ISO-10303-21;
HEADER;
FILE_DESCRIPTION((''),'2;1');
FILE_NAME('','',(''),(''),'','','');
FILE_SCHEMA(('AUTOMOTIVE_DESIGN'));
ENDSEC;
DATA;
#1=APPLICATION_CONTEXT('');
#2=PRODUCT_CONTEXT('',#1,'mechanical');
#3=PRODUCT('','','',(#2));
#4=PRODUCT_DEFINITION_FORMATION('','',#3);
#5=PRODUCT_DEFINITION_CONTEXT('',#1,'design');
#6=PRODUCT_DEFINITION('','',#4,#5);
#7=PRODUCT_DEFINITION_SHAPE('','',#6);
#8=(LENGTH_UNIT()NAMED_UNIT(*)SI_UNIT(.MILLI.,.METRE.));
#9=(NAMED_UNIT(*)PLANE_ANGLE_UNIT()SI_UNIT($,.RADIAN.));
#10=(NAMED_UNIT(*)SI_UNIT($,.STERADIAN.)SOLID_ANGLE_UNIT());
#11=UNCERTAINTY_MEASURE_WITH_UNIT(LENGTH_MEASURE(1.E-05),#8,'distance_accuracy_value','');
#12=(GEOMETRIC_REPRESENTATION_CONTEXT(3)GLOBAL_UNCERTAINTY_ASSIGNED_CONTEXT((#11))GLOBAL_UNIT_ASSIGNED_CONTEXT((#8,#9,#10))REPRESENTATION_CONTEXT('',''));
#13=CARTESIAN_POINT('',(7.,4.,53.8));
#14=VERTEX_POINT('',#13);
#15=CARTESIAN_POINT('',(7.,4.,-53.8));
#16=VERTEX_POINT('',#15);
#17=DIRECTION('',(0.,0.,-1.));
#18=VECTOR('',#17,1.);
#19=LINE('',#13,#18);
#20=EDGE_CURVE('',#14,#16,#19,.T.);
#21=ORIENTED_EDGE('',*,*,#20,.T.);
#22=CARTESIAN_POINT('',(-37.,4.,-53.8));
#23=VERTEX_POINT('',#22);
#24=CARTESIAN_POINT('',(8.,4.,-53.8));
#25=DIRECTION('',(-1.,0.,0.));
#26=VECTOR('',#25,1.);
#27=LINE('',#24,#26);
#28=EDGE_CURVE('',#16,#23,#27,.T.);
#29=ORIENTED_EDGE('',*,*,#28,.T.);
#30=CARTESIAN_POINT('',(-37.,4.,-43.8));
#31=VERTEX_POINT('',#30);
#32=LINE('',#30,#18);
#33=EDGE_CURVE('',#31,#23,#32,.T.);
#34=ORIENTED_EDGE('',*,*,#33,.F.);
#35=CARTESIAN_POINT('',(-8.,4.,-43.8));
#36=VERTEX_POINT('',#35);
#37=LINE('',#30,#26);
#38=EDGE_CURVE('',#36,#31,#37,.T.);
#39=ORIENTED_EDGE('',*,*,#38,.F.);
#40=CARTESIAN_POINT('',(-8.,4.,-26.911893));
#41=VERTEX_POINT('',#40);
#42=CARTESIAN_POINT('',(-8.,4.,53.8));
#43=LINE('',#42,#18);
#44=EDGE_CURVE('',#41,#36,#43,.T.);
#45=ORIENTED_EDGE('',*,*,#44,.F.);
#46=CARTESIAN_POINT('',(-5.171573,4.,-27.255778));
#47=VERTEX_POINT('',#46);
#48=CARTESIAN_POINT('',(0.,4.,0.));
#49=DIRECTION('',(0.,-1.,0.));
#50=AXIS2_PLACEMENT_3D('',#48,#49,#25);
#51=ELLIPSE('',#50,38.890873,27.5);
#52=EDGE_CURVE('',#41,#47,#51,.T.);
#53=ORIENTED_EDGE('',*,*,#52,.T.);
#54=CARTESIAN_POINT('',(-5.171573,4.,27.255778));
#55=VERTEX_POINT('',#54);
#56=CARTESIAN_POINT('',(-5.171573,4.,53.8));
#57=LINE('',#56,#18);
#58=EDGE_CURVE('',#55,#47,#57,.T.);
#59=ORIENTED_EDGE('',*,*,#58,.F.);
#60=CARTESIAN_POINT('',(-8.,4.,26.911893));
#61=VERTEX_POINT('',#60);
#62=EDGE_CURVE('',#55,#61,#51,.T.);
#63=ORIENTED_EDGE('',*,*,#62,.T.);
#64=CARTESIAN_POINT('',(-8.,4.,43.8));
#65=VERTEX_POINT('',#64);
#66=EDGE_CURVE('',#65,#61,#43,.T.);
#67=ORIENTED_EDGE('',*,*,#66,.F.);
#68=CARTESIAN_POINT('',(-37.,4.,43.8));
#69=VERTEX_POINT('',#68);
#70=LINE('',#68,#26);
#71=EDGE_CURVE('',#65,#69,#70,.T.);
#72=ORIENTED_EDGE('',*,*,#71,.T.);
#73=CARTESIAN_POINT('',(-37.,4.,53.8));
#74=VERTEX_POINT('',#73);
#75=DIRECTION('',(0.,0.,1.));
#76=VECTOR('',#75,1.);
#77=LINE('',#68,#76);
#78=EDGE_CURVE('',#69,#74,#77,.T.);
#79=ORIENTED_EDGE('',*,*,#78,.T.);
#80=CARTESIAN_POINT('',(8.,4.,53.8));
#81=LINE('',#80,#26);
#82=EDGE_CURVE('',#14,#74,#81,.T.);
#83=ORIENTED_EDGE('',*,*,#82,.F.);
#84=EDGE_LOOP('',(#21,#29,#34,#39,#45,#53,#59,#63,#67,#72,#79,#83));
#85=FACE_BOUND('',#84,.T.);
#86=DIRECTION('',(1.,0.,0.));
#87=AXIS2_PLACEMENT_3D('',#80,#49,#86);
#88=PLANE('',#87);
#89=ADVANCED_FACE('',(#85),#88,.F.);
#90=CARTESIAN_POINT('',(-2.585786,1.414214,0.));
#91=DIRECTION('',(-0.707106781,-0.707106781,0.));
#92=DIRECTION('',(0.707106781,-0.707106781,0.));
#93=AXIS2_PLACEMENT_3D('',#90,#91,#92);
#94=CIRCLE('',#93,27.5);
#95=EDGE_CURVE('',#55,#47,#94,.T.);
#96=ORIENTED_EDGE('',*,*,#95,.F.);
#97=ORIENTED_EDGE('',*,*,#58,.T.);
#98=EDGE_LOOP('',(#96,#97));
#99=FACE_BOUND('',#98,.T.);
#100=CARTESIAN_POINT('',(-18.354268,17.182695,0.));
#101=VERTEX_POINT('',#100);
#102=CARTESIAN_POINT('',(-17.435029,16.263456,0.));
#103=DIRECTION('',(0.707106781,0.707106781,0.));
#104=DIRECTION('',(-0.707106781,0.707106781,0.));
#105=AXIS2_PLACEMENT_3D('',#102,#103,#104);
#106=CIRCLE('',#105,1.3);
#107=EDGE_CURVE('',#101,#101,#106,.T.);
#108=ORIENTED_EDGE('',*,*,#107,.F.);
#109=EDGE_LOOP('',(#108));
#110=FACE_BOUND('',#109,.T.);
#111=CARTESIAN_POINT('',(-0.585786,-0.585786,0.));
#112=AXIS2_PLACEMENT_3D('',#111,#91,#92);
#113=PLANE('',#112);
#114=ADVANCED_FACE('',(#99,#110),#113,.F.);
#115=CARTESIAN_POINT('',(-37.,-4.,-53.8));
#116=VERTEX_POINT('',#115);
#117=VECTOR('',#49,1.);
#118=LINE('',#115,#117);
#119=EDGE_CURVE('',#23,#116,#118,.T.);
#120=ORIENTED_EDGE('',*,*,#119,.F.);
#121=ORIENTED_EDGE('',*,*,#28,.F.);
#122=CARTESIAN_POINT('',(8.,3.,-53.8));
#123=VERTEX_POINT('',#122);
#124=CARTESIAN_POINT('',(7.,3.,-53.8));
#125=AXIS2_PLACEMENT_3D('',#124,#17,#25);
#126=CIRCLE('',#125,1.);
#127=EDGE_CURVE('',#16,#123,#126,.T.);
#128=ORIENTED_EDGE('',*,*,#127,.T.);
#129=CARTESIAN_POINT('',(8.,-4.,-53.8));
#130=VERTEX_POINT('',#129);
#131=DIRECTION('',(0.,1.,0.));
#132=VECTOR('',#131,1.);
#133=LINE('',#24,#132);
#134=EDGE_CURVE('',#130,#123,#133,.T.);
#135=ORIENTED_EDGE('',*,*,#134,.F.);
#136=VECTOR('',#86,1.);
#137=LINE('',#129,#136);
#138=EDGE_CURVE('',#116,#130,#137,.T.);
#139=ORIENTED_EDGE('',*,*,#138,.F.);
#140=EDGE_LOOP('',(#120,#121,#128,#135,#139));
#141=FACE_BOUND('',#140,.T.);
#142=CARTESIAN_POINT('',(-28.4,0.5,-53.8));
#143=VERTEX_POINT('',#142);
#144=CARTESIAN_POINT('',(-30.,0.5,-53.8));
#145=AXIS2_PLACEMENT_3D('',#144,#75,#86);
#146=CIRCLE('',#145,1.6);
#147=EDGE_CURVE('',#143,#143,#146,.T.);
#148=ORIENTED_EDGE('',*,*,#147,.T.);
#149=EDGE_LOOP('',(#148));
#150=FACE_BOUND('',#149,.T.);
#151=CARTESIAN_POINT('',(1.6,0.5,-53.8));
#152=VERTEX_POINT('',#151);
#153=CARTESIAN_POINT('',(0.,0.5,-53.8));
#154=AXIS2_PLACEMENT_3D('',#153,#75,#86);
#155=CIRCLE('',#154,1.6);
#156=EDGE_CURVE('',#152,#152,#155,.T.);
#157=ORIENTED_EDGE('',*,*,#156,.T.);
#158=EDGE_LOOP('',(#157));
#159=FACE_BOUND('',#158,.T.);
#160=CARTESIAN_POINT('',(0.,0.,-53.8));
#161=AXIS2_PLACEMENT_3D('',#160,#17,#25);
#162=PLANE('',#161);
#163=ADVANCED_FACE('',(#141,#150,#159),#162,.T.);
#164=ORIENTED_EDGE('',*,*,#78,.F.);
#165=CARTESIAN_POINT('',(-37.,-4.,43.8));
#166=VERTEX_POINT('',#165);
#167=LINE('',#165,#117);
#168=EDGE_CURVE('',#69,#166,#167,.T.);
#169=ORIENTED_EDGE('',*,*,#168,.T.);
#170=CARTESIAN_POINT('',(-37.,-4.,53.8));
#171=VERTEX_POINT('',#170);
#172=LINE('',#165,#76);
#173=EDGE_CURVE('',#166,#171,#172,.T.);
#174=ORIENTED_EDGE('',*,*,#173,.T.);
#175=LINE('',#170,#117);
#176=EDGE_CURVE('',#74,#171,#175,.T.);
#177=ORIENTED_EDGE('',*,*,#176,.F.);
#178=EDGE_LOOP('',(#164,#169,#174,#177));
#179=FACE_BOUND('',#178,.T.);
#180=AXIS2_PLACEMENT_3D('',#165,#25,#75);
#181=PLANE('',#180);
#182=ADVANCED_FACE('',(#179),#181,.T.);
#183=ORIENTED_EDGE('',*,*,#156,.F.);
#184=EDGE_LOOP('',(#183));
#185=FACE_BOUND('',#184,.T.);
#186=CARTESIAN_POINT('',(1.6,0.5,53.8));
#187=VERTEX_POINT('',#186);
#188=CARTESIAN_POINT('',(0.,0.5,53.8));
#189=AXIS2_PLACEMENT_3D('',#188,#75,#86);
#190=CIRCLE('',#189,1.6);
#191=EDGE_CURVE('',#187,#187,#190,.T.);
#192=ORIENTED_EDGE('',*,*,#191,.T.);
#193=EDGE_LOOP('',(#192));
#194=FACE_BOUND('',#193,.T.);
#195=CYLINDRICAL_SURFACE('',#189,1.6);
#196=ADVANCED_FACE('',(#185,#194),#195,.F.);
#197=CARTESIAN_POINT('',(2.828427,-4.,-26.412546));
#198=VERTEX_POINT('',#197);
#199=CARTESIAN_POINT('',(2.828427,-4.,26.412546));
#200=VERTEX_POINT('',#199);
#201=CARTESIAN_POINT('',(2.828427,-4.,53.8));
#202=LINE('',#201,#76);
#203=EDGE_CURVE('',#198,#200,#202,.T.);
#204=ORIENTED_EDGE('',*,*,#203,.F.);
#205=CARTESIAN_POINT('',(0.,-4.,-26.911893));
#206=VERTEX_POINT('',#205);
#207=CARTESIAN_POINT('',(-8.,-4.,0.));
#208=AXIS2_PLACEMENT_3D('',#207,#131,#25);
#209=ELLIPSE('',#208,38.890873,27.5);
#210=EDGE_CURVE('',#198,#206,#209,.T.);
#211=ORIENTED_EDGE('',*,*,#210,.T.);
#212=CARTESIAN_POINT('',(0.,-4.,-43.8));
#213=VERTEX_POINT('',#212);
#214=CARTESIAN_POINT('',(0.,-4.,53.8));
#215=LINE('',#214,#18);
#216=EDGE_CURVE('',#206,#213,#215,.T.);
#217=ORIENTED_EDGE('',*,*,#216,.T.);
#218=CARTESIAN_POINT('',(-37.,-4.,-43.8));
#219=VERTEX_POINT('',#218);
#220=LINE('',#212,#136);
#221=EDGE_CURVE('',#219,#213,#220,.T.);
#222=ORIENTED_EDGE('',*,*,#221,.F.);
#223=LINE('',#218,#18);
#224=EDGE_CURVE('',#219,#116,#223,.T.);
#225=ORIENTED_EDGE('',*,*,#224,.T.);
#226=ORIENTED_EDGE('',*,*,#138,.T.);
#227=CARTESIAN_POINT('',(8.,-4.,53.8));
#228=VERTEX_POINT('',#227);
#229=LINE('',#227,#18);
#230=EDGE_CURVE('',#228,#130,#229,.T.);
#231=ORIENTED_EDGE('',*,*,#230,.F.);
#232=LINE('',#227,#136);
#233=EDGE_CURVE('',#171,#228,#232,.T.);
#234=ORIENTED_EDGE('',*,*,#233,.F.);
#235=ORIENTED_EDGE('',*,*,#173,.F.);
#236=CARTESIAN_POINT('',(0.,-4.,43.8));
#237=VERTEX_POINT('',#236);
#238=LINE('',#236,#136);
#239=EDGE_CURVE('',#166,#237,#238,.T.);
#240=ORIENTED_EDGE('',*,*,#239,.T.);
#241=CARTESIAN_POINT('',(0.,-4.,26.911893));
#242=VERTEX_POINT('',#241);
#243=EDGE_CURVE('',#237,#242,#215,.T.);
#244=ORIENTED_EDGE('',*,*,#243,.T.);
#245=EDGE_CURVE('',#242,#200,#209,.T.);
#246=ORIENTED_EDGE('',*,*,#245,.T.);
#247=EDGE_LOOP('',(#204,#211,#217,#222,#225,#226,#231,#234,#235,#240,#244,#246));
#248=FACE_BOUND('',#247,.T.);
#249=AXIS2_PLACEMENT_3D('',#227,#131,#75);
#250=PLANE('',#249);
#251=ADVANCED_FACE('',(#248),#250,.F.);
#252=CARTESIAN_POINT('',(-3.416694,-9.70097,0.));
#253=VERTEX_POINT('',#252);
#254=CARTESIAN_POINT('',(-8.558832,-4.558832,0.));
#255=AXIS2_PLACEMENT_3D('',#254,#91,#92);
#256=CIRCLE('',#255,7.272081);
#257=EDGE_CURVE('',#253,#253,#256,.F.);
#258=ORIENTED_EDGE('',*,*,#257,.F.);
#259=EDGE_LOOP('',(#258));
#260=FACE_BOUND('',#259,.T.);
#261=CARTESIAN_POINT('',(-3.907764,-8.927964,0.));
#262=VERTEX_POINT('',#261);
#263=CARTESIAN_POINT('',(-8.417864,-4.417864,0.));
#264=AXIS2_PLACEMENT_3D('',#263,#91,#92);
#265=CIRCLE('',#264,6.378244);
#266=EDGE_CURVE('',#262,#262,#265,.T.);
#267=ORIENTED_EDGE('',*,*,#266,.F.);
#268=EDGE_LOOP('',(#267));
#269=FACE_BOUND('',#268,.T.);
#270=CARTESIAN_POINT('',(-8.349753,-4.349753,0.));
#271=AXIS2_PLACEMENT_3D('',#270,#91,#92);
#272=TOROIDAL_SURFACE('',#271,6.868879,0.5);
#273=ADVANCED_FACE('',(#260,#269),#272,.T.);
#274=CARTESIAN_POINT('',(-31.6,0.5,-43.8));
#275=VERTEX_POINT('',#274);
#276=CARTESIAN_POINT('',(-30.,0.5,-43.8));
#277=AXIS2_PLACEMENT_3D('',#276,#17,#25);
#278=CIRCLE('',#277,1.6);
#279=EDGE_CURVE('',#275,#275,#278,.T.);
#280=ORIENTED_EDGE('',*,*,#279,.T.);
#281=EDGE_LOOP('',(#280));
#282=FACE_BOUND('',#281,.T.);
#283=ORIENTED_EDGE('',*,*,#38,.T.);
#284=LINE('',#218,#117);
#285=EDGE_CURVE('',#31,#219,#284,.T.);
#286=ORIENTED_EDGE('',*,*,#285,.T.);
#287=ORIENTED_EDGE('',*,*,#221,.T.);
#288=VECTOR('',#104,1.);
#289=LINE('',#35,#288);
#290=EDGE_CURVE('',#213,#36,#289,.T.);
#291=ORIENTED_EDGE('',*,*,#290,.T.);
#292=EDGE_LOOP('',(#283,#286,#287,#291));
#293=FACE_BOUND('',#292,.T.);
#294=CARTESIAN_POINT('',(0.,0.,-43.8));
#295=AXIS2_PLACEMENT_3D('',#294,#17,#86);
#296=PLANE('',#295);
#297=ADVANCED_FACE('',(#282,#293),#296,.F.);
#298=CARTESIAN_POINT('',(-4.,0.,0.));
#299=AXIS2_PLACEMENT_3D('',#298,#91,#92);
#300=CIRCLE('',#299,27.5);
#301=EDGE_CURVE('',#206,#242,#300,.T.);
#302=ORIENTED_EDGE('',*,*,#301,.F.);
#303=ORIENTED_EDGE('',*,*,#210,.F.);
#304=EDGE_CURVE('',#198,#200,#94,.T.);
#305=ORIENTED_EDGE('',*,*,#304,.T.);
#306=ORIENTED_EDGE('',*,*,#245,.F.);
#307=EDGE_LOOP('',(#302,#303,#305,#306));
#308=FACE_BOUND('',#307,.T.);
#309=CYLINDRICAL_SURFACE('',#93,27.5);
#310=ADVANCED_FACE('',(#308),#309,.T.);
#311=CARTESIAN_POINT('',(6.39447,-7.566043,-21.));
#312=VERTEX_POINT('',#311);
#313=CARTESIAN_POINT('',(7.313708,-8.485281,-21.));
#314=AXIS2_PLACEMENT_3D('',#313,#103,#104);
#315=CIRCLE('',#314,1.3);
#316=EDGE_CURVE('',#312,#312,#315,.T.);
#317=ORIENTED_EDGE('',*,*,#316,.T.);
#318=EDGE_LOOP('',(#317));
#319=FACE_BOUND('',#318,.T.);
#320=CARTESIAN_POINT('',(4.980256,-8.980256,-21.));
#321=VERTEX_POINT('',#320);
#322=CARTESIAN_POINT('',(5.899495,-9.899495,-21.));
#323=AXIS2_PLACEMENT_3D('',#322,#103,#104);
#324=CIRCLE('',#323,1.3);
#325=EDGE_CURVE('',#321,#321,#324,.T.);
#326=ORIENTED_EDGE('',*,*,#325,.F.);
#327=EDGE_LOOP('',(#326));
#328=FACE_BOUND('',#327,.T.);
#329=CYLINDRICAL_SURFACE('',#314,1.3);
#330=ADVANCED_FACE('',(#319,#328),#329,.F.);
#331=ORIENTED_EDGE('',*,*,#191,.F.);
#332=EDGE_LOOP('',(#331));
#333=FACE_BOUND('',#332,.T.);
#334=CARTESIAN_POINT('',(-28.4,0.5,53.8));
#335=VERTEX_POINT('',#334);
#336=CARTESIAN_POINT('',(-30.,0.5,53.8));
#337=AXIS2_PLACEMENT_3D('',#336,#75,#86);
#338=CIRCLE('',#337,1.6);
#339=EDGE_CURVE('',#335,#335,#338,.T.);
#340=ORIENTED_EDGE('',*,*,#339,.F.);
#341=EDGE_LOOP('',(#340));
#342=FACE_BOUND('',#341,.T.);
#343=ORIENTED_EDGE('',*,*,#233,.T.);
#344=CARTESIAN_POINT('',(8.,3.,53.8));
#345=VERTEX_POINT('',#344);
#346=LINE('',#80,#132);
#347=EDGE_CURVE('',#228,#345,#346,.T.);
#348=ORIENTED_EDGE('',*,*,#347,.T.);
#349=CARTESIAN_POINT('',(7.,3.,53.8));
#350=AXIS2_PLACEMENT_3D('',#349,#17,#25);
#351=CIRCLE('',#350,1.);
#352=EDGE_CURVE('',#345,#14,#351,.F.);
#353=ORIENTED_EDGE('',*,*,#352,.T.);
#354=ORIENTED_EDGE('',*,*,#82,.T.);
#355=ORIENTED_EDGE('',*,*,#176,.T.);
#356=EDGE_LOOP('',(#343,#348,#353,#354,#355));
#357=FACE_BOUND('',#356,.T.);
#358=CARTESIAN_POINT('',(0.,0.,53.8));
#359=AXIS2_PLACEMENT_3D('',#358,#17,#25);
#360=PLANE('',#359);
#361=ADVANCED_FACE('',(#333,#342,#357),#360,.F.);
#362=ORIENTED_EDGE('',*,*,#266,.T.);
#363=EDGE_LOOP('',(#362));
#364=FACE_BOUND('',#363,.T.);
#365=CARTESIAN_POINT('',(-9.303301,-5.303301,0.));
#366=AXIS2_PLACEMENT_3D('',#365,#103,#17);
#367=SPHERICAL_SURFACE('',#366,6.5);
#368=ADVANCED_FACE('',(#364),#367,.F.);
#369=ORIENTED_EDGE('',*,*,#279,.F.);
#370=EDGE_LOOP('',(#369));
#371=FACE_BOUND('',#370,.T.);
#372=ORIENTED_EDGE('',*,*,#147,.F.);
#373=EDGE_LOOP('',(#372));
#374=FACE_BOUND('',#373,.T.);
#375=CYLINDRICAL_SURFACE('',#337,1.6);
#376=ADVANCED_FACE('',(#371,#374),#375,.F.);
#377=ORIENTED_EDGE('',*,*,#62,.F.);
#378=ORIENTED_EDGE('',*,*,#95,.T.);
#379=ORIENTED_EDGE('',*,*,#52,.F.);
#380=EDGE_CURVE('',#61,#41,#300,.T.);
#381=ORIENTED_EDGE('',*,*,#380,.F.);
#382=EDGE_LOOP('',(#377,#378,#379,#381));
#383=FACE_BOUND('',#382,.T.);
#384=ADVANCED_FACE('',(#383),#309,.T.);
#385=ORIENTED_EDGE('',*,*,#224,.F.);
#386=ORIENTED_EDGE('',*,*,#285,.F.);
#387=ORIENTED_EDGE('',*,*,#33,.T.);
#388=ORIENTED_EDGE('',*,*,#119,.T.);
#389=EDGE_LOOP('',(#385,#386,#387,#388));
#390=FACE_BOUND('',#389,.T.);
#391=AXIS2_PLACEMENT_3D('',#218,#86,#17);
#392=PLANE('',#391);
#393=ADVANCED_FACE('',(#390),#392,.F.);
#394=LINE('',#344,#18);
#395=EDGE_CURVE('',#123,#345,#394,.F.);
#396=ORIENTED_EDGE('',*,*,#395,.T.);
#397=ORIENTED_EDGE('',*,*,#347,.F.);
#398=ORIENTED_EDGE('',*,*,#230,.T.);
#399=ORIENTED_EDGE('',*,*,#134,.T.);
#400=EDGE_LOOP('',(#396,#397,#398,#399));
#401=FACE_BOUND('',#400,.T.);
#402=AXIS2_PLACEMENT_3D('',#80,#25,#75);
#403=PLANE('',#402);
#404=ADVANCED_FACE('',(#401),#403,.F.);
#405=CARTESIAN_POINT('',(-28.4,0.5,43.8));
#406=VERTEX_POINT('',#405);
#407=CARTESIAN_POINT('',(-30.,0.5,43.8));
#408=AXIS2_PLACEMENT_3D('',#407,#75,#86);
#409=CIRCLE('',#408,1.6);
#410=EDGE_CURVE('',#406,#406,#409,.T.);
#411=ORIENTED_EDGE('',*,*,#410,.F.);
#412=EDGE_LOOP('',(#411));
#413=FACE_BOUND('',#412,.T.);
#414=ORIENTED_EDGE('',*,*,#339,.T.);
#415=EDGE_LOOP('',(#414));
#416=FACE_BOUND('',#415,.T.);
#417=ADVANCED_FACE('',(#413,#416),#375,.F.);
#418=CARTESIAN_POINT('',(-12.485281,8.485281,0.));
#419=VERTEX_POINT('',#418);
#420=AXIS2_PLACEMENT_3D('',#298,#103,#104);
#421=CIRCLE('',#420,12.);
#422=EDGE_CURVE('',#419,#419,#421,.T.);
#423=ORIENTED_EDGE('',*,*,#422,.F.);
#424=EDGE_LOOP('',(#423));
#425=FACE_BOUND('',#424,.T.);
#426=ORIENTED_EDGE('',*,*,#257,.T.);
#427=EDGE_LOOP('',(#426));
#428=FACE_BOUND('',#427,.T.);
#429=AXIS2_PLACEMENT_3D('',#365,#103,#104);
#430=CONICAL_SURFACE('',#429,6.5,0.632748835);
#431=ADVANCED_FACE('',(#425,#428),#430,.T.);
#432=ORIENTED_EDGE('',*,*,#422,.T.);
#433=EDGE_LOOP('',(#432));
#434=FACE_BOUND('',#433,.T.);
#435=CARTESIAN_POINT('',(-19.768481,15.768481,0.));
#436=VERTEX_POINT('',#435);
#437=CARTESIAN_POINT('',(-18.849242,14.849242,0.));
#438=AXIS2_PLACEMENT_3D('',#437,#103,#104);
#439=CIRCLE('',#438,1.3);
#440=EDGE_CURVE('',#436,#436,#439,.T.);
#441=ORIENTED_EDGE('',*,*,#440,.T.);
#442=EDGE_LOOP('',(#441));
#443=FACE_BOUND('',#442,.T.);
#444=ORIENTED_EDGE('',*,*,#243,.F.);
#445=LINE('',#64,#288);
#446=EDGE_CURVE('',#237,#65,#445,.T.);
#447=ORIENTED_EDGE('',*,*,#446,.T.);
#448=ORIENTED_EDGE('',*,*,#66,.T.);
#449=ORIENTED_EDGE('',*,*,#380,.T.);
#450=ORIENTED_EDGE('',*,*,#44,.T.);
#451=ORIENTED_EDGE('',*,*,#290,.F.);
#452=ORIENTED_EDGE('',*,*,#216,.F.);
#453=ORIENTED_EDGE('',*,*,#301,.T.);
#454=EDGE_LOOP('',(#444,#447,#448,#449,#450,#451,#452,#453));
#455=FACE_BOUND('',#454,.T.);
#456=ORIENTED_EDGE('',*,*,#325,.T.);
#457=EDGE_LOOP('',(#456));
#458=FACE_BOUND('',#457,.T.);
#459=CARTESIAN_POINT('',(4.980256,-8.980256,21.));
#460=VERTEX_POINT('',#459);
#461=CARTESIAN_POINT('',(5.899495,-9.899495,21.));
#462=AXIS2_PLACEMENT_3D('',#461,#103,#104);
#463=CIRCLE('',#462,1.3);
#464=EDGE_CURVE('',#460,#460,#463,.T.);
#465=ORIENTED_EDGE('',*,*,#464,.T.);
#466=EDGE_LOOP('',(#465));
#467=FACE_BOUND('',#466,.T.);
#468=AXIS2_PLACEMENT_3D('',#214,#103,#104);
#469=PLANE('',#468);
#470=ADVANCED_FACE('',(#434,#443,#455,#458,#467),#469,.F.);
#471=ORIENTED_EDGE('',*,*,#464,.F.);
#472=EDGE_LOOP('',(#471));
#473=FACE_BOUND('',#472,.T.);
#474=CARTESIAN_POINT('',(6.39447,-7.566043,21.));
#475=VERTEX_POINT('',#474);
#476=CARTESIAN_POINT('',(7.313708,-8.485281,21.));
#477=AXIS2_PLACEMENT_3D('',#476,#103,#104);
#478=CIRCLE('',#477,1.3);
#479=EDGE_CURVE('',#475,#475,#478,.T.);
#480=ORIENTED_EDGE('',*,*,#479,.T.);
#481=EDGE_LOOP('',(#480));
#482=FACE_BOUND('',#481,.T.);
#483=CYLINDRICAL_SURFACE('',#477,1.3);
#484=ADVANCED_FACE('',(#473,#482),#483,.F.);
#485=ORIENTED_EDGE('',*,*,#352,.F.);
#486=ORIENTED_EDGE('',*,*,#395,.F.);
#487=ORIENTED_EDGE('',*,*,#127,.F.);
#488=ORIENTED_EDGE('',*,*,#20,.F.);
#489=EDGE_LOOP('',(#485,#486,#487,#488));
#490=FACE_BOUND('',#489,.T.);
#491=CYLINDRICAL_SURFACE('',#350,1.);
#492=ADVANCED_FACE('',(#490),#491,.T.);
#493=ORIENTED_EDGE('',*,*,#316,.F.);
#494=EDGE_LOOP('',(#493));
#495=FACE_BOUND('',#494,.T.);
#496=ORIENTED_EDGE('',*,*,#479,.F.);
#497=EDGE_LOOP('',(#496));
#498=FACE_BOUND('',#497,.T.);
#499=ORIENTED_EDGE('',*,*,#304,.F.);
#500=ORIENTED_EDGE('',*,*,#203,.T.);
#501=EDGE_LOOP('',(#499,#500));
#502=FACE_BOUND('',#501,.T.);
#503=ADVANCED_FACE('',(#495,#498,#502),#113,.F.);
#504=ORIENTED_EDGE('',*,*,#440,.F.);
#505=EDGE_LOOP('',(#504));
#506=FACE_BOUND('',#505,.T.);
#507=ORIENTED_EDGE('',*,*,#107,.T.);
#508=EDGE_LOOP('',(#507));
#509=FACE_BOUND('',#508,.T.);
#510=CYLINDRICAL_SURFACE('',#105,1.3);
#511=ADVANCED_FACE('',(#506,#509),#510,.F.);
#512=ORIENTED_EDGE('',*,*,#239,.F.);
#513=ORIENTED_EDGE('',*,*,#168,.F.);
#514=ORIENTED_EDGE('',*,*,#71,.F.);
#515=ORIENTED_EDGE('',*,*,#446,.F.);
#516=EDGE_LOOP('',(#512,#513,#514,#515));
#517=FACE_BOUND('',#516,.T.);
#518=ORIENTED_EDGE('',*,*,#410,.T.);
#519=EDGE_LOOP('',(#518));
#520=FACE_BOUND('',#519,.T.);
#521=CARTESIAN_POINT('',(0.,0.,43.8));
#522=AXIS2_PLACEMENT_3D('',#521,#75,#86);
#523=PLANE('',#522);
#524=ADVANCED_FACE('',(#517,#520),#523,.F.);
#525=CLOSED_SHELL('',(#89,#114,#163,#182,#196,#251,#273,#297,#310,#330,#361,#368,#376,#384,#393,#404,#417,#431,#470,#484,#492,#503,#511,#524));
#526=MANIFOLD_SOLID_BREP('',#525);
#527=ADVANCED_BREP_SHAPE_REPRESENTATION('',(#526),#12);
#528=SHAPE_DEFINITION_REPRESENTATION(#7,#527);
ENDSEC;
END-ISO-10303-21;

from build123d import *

# Parameters (mm, degrees)
BASE_DEPTH                 = 53.8
SKETCH4_R                  = 27.5
BOSS_EXTRUDE2_DEPTH        = 2
M2_CLEARANCE_HOLE1_D       = 2.6
FILLET1_R                  = 0.5
SIDE_HOLES_D               = 3.2
SIDE_ARM_DEPTH             = 10
F_3_2_3_2_DIAMETER_HOLE1_D = 3.2
FILLET2_R                  = 1


with BuildPart() as part:
    # Sketch1 → Base (new, symmetric)
    with BuildSketch(Plane.XY):
        Polygon((8, 4), (-8, 4), (0, -4), (8, -4), align=None)
    extrude(amount=BASE_DEPTH, both=True)

    # Sketch4 → Boss-Extrude2 (add)
    with BuildSketch(Plane(origin=(-2, -2, 0), x_dir=(0, 0, 1), z_dir=(-0.7071067811865475, -0.7071067811865476, 0))):
        with Locations((0, 2.828427125)):
            Circle(SKETCH4_R)
    extrude(amount=-BOSS_EXTRUDE2_DEPTH)

    # M2 Clearance Hole1 (through all)
    with Locations(Plane(origin=(-0.585786438, -0.585786438, 0), x_dir=(0.7071067811865475, -0.7071067811865477, 0), z_dir=(0.7071067811865477, 0.7071067811865475, 0))):
        with Locations((-23.828427125, 0), (11.171572875, 21), (11.171572875, -21)):
            Hole(M2_CLEARANCE_HOLE1_D / 2)

    # Sketch8 → Revolve1 (revolve)
    with BuildSketch(Plane(origin=(-2, 2, 0), x_dir=(0, 0, 1), z_dir=(0.7071067811865437, -0.7071067811865515, 0))):
        with BuildLine():
            Line((0, 3.828427125), (0, 2.828427125))
            Line((0, 2.828427125), (-12, 2.828427125))
            Line((-12, 2.828427125), (-6.5, 10.328427125))
            ThreePointArc((-6.5, 10.328427125), (-4.596194078, 5.732233047), (0, 3.828427125))
        make_face()
    revolve(axis=Axis((-4, 0, 0), (-0.7071067811865515, -0.7071067811865437, 0)))

    # Fillet1
    fillet1_edges = [part.edges().sort_by_distance(p)[0] for p in [
        (-9.303300859, -5.303300859, 6.5),
    ]]
    fillet(fillet1_edges, radius=FILLET1_R)

    # Side Holes (through all)
    with Locations(Plane.XY.offset(53.8)):
        with Locations((0, 0.5)):
            Hole(SIDE_HOLES_D / 2)

    # Sketch9 → Side Arm (add)
    with BuildSketch(Plane.XY.offset(53.8)):
        Polygon((-8, 4), (0, -4), (-37, -4), (-37, 4), align=None)
    side_arm = extrude(amount=-SIDE_ARM_DEPTH)

    # Mirror1: Side Arm across plane
    add(side_arm.mirror(Plane.XY))

    # Ø3.2 (3.2) Diameter Hole1 (through all)
    with Locations(Plane.XY.offset(53.8)):
        with Locations((-30, 0.5)):
            Hole(F_3_2_3_2_DIAMETER_HOLE1_D / 2)

    # Fillet2
    fillet2_edges = [part.edges().sort_by_distance(p)[0] for p in [
        (8, 4, 0),
    ]]
    fillet(fillet2_edges, radius=FILLET2_R)


solid = part.part
